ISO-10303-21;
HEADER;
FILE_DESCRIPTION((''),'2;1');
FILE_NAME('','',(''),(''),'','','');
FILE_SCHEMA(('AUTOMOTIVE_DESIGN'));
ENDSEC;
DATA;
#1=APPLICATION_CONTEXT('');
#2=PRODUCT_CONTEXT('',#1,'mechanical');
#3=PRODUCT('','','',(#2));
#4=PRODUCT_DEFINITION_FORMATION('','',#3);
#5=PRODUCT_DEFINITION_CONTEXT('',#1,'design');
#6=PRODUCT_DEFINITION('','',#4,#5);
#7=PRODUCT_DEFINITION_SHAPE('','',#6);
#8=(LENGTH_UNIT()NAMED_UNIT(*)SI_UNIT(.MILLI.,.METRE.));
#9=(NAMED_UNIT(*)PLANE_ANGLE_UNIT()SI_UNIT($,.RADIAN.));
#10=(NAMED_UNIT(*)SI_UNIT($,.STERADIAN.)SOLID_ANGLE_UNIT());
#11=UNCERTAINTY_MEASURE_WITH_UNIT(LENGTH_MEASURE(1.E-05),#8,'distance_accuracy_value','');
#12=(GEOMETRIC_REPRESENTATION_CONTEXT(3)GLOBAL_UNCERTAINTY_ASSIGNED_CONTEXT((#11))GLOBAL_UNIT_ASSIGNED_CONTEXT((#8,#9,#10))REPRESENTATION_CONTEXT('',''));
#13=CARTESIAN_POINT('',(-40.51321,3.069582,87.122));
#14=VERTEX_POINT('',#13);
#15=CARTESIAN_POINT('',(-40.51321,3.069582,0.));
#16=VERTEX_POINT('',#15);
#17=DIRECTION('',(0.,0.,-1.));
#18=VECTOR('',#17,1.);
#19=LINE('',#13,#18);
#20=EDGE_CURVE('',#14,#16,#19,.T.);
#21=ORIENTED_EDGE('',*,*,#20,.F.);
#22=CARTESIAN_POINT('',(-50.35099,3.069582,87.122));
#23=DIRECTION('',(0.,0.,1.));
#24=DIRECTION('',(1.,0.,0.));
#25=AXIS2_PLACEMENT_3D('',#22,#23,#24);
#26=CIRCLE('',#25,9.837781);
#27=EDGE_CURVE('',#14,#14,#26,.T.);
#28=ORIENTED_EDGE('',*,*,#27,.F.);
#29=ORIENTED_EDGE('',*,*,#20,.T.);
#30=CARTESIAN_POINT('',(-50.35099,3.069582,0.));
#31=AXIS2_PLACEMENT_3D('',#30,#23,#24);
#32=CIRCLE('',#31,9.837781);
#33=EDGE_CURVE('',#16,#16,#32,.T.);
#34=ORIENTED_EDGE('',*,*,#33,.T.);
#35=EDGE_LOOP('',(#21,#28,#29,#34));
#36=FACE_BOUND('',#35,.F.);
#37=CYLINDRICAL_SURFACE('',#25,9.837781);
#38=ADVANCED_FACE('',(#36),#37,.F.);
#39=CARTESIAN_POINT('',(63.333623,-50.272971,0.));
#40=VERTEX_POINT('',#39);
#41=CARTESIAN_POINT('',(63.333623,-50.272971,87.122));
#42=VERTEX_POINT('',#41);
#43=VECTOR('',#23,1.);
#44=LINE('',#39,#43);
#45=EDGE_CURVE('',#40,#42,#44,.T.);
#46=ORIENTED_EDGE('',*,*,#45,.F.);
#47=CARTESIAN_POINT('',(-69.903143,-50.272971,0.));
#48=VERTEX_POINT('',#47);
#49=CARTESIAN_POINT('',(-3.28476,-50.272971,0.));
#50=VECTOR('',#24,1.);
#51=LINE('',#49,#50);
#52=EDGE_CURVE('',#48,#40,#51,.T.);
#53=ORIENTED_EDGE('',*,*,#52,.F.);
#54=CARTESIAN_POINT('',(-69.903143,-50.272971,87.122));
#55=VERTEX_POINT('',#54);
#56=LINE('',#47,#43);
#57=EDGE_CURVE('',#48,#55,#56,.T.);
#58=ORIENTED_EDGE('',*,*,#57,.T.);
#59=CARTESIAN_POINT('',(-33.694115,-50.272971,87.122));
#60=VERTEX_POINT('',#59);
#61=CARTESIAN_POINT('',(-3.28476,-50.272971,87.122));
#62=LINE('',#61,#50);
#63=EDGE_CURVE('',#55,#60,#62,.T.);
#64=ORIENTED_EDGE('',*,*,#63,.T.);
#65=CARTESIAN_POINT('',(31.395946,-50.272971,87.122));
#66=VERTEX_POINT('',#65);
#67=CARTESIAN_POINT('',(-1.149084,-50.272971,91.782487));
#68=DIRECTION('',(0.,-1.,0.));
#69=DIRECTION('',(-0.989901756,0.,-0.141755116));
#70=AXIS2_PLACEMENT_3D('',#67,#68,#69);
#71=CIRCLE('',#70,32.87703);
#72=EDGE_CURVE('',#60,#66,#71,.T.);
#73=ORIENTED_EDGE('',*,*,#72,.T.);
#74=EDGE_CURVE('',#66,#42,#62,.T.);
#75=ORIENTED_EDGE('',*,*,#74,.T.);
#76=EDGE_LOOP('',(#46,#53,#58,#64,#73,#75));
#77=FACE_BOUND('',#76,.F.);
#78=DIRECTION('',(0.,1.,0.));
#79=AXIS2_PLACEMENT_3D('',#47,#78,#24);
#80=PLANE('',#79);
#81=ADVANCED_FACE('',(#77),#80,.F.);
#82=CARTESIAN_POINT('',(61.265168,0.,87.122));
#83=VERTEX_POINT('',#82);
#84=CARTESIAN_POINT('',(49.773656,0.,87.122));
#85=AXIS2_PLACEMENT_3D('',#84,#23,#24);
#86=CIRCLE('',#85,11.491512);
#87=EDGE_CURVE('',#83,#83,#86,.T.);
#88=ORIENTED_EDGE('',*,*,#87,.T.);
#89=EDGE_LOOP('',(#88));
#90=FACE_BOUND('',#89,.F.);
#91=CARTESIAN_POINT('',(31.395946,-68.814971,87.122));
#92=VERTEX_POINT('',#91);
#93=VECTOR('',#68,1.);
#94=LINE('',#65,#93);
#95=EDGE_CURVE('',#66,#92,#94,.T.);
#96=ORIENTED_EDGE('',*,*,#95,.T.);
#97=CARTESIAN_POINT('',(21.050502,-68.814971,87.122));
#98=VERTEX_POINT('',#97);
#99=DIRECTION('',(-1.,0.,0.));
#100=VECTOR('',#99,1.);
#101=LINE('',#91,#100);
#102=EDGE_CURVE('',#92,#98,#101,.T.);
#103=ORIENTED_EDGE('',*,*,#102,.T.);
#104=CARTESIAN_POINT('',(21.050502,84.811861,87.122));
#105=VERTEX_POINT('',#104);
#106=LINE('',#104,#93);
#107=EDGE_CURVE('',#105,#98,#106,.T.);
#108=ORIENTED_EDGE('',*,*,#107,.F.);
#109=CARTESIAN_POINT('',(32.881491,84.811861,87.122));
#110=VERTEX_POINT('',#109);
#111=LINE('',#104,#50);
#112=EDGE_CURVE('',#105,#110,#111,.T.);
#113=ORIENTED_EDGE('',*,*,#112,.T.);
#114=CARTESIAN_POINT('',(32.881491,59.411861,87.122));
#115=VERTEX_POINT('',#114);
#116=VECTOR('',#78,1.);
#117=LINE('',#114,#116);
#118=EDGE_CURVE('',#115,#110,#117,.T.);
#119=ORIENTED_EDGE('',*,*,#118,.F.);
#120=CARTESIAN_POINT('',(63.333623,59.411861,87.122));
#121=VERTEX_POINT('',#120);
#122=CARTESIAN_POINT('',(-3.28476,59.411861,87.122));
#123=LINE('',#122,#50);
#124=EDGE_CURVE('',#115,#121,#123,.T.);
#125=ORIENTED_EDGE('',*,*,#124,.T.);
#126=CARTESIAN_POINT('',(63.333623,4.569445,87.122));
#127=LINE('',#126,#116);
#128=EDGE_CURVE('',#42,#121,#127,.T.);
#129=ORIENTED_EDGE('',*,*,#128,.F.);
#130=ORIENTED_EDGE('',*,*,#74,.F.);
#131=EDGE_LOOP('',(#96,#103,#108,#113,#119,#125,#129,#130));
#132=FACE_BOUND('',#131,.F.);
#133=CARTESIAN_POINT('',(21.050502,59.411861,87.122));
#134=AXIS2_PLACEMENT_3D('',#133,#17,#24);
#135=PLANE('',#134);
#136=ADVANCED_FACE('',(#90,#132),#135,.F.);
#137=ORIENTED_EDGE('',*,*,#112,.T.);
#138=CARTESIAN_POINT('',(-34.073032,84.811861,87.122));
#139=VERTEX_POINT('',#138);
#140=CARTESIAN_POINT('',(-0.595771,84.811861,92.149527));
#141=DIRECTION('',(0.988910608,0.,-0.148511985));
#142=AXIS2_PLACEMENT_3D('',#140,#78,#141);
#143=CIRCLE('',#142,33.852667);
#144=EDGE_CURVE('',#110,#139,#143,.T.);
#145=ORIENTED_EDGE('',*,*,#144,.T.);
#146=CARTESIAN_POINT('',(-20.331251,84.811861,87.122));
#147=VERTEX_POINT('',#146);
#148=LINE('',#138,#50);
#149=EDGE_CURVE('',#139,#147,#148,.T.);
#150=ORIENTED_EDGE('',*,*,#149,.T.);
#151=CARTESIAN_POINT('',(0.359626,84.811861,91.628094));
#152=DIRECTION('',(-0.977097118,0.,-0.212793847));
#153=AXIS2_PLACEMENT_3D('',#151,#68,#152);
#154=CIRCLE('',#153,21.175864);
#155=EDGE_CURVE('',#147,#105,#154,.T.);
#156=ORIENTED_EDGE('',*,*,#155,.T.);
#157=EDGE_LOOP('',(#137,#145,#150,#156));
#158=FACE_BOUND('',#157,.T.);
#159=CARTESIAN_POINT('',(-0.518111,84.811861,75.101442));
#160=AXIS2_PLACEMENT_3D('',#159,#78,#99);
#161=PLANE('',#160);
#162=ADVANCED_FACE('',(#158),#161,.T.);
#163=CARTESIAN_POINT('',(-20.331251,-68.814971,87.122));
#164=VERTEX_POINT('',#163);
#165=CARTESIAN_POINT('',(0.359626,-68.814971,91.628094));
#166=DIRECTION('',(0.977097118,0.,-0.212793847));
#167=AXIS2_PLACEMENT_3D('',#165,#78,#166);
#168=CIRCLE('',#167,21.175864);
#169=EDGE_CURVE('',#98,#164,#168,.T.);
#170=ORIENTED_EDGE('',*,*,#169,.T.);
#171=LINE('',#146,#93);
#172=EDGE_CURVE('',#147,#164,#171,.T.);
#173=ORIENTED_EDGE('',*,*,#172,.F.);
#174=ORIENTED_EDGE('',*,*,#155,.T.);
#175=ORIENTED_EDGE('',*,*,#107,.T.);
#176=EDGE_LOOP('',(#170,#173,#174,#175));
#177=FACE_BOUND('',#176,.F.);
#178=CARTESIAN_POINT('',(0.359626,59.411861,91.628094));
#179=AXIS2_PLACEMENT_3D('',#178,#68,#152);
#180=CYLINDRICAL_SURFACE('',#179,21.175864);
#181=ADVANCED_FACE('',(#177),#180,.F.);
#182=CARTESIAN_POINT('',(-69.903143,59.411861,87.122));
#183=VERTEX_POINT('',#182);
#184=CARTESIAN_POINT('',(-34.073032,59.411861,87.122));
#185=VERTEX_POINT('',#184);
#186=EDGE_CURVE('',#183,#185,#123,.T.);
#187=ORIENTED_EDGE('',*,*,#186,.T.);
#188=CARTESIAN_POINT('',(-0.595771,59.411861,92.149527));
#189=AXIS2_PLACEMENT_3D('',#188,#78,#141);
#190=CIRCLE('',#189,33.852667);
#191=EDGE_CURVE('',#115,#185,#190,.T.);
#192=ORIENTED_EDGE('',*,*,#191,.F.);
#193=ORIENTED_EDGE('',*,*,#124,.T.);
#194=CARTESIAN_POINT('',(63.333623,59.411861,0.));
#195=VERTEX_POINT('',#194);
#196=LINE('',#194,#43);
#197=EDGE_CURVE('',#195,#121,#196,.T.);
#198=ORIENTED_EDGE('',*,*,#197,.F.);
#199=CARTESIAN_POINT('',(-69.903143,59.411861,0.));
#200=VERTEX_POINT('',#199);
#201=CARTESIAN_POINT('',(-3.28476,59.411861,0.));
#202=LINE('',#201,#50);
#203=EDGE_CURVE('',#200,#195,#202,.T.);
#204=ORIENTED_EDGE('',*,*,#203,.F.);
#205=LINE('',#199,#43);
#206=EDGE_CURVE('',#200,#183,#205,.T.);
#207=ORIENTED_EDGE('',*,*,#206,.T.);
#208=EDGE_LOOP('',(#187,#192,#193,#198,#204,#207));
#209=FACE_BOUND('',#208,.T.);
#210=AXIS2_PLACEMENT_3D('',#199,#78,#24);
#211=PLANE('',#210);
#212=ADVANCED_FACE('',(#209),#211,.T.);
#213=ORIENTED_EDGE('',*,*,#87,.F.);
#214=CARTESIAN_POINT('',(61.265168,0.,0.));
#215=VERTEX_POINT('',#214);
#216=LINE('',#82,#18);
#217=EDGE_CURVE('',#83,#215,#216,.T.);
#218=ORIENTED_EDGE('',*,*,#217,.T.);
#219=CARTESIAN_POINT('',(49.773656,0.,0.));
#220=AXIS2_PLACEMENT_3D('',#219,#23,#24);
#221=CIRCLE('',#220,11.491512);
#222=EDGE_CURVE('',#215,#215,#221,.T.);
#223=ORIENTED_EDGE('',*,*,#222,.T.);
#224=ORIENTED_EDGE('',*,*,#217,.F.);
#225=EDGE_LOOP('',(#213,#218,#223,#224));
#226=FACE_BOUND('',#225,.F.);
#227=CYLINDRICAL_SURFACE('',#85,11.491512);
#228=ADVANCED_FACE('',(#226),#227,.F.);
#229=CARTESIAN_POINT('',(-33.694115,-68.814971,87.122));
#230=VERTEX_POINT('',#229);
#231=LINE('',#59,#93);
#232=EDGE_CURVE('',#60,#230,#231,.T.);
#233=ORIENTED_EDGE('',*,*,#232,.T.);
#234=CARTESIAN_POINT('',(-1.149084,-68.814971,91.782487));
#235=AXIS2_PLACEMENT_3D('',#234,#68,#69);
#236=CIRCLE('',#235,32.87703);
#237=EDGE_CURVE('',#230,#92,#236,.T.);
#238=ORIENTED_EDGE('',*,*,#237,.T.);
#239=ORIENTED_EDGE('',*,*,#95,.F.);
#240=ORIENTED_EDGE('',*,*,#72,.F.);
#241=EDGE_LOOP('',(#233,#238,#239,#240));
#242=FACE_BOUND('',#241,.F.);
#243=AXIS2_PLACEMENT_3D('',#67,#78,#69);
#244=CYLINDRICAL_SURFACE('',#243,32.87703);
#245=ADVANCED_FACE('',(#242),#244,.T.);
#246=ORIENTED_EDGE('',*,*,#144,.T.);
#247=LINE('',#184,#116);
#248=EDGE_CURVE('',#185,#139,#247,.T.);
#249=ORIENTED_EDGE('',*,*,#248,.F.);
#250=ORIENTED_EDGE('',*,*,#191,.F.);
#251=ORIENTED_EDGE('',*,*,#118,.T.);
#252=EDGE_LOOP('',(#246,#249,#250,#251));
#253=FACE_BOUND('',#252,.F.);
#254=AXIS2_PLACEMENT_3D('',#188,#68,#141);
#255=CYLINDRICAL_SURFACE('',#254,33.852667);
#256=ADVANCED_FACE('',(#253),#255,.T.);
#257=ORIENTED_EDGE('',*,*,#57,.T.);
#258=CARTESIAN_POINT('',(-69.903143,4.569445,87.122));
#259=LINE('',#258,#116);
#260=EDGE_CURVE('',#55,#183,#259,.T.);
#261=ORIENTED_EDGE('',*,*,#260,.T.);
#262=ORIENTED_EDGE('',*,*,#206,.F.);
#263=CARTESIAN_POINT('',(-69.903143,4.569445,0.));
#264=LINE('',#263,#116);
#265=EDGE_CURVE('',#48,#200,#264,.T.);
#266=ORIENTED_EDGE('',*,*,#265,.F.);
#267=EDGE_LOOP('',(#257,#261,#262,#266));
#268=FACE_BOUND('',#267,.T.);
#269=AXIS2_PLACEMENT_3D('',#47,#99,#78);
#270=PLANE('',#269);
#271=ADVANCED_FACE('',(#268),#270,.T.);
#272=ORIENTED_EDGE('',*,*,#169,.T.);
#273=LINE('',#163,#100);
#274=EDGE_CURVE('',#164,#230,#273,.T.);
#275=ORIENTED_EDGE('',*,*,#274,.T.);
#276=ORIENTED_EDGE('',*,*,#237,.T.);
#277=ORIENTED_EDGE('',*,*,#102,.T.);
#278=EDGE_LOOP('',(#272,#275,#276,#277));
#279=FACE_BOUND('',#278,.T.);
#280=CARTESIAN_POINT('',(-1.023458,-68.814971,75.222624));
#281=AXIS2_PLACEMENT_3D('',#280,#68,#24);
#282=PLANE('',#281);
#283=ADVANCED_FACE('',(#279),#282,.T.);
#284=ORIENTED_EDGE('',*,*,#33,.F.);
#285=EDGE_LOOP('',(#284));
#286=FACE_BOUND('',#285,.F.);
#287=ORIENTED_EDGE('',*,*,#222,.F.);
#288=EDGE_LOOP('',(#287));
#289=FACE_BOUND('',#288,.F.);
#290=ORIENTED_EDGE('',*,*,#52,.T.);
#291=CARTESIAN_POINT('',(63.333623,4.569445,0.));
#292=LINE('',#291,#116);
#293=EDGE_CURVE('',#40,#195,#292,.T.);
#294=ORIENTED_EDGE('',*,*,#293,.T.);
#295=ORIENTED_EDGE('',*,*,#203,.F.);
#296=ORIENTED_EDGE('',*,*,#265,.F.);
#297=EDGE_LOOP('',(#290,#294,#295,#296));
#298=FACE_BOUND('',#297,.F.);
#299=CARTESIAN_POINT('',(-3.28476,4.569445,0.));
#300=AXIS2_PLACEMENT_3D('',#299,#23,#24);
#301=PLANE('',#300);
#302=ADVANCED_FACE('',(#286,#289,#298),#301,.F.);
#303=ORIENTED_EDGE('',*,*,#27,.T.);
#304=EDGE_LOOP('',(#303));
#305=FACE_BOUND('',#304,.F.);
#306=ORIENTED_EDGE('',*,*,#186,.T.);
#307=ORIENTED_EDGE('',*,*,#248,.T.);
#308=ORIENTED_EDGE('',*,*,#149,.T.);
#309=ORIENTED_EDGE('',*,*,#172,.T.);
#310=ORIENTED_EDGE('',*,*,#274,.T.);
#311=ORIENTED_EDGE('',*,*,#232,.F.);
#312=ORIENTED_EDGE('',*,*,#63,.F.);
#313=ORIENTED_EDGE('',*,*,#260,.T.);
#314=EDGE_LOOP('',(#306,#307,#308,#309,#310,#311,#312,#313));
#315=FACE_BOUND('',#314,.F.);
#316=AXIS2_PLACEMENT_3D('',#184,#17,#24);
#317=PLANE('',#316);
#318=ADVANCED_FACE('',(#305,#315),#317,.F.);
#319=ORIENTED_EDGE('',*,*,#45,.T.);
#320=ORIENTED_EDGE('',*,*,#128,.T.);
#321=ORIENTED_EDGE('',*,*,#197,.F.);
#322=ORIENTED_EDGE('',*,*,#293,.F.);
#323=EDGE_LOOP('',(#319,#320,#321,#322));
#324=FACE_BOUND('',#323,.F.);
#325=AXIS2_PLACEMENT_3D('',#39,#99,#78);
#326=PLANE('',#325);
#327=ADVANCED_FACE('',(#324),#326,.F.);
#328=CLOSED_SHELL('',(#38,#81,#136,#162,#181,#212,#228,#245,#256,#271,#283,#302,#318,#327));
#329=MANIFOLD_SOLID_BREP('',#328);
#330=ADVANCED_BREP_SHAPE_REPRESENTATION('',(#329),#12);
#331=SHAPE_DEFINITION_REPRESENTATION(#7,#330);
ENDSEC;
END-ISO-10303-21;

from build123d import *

# Parameters (mm, degrees)
F0_W     = 133.2367658615
F0_H     = 109.6848323941
F1_DEPTH = 87.122
F3_DEPTH = 18.542
F4_DEPTH = 140.208
F6_DEPTH = 25.4
F7_R     = 9.8377805887
F8_DEPTH = 150.876
F7_R_2   = 11.4915117279
F9_DEPTH = 154.432


with BuildPart() as f1:
    # F0 (on Top) → F1 (new body)
    with BuildSketch(Plane.XY):
        with Locations((-3.2847598195, 4.5694448054)):
            Rectangle(F0_W, F0_H)
    extrude(amount=F1_DEPTH)

    # F2 (on face) → F3 (join)
    with BuildSketch(Plane.XZ.offset(50.2729713917)):
        with BuildLine():
            Line((-20.3312505037, 87.122), (-33.694114536, 87.122))
            ThreePointArc((-33.694114536, 87.122), (-1.149084419, 58.9054568652), (31.395945698, 87.122))
            Line((31.395945698, 87.122), (21.0505016148, 87.122))
            ThreePointArc((21.0505016148, 87.122), (0.3596255556, 70.4522292625), (-20.3312505037, 87.122))
        make_face()
    extrude(amount=F3_DEPTH)

    # F4 (cut): a face of the model
    f4_faces = [f1.faces().sort_by_distance(p)[0] for p in [
        (0.3596255556, -50.2729713917, 80.1609892237),
    ]]
    extrude(f4_faces, amount=-F4_DEPTH, mode=Mode.SUBTRACT)

    # F5 (on face) → F6 (join)
    with BuildSketch(Plane(origin=(0, 59.4118610024, 0), x_dir=(-1, 0, 0), z_dir=(0, 1, 0))):
        with BuildLine():
            Line((-21.0505016148, 87.122), (-32.8814908862, 87.122))
            ThreePointArc((-32.8814908862, 87.122), (0.5957707763, 58.2968596354), (34.0730324388, 87.122))
            Line((34.0730324388, 87.122), (20.3312505037, 87.122))
            ThreePointArc((20.3312505037, 87.122), (-0.3596255556, 70.4522292625), (-21.0505016148, 87.122))
        make_face()
    extrude(amount=F6_DEPTH)

    # F7 (on face) → F8 (cut)
    with BuildSketch(Plane.XY.offset(87.122)):
        with Locations((-50.3509901464, 3.0695819296)):
            Circle(F7_R)
    extrude(amount=-F8_DEPTH, mode=Mode.SUBTRACT)

    # F7 (on face) → F9 (cut)
    with BuildSketch(Plane.XY.offset(87.122)):
        with Locations((49.7736558318, 0)):
            Circle(F7_R_2)
    extrude(amount=-F9_DEPTH, mode=Mode.SUBTRACT)


solid = f1.part
